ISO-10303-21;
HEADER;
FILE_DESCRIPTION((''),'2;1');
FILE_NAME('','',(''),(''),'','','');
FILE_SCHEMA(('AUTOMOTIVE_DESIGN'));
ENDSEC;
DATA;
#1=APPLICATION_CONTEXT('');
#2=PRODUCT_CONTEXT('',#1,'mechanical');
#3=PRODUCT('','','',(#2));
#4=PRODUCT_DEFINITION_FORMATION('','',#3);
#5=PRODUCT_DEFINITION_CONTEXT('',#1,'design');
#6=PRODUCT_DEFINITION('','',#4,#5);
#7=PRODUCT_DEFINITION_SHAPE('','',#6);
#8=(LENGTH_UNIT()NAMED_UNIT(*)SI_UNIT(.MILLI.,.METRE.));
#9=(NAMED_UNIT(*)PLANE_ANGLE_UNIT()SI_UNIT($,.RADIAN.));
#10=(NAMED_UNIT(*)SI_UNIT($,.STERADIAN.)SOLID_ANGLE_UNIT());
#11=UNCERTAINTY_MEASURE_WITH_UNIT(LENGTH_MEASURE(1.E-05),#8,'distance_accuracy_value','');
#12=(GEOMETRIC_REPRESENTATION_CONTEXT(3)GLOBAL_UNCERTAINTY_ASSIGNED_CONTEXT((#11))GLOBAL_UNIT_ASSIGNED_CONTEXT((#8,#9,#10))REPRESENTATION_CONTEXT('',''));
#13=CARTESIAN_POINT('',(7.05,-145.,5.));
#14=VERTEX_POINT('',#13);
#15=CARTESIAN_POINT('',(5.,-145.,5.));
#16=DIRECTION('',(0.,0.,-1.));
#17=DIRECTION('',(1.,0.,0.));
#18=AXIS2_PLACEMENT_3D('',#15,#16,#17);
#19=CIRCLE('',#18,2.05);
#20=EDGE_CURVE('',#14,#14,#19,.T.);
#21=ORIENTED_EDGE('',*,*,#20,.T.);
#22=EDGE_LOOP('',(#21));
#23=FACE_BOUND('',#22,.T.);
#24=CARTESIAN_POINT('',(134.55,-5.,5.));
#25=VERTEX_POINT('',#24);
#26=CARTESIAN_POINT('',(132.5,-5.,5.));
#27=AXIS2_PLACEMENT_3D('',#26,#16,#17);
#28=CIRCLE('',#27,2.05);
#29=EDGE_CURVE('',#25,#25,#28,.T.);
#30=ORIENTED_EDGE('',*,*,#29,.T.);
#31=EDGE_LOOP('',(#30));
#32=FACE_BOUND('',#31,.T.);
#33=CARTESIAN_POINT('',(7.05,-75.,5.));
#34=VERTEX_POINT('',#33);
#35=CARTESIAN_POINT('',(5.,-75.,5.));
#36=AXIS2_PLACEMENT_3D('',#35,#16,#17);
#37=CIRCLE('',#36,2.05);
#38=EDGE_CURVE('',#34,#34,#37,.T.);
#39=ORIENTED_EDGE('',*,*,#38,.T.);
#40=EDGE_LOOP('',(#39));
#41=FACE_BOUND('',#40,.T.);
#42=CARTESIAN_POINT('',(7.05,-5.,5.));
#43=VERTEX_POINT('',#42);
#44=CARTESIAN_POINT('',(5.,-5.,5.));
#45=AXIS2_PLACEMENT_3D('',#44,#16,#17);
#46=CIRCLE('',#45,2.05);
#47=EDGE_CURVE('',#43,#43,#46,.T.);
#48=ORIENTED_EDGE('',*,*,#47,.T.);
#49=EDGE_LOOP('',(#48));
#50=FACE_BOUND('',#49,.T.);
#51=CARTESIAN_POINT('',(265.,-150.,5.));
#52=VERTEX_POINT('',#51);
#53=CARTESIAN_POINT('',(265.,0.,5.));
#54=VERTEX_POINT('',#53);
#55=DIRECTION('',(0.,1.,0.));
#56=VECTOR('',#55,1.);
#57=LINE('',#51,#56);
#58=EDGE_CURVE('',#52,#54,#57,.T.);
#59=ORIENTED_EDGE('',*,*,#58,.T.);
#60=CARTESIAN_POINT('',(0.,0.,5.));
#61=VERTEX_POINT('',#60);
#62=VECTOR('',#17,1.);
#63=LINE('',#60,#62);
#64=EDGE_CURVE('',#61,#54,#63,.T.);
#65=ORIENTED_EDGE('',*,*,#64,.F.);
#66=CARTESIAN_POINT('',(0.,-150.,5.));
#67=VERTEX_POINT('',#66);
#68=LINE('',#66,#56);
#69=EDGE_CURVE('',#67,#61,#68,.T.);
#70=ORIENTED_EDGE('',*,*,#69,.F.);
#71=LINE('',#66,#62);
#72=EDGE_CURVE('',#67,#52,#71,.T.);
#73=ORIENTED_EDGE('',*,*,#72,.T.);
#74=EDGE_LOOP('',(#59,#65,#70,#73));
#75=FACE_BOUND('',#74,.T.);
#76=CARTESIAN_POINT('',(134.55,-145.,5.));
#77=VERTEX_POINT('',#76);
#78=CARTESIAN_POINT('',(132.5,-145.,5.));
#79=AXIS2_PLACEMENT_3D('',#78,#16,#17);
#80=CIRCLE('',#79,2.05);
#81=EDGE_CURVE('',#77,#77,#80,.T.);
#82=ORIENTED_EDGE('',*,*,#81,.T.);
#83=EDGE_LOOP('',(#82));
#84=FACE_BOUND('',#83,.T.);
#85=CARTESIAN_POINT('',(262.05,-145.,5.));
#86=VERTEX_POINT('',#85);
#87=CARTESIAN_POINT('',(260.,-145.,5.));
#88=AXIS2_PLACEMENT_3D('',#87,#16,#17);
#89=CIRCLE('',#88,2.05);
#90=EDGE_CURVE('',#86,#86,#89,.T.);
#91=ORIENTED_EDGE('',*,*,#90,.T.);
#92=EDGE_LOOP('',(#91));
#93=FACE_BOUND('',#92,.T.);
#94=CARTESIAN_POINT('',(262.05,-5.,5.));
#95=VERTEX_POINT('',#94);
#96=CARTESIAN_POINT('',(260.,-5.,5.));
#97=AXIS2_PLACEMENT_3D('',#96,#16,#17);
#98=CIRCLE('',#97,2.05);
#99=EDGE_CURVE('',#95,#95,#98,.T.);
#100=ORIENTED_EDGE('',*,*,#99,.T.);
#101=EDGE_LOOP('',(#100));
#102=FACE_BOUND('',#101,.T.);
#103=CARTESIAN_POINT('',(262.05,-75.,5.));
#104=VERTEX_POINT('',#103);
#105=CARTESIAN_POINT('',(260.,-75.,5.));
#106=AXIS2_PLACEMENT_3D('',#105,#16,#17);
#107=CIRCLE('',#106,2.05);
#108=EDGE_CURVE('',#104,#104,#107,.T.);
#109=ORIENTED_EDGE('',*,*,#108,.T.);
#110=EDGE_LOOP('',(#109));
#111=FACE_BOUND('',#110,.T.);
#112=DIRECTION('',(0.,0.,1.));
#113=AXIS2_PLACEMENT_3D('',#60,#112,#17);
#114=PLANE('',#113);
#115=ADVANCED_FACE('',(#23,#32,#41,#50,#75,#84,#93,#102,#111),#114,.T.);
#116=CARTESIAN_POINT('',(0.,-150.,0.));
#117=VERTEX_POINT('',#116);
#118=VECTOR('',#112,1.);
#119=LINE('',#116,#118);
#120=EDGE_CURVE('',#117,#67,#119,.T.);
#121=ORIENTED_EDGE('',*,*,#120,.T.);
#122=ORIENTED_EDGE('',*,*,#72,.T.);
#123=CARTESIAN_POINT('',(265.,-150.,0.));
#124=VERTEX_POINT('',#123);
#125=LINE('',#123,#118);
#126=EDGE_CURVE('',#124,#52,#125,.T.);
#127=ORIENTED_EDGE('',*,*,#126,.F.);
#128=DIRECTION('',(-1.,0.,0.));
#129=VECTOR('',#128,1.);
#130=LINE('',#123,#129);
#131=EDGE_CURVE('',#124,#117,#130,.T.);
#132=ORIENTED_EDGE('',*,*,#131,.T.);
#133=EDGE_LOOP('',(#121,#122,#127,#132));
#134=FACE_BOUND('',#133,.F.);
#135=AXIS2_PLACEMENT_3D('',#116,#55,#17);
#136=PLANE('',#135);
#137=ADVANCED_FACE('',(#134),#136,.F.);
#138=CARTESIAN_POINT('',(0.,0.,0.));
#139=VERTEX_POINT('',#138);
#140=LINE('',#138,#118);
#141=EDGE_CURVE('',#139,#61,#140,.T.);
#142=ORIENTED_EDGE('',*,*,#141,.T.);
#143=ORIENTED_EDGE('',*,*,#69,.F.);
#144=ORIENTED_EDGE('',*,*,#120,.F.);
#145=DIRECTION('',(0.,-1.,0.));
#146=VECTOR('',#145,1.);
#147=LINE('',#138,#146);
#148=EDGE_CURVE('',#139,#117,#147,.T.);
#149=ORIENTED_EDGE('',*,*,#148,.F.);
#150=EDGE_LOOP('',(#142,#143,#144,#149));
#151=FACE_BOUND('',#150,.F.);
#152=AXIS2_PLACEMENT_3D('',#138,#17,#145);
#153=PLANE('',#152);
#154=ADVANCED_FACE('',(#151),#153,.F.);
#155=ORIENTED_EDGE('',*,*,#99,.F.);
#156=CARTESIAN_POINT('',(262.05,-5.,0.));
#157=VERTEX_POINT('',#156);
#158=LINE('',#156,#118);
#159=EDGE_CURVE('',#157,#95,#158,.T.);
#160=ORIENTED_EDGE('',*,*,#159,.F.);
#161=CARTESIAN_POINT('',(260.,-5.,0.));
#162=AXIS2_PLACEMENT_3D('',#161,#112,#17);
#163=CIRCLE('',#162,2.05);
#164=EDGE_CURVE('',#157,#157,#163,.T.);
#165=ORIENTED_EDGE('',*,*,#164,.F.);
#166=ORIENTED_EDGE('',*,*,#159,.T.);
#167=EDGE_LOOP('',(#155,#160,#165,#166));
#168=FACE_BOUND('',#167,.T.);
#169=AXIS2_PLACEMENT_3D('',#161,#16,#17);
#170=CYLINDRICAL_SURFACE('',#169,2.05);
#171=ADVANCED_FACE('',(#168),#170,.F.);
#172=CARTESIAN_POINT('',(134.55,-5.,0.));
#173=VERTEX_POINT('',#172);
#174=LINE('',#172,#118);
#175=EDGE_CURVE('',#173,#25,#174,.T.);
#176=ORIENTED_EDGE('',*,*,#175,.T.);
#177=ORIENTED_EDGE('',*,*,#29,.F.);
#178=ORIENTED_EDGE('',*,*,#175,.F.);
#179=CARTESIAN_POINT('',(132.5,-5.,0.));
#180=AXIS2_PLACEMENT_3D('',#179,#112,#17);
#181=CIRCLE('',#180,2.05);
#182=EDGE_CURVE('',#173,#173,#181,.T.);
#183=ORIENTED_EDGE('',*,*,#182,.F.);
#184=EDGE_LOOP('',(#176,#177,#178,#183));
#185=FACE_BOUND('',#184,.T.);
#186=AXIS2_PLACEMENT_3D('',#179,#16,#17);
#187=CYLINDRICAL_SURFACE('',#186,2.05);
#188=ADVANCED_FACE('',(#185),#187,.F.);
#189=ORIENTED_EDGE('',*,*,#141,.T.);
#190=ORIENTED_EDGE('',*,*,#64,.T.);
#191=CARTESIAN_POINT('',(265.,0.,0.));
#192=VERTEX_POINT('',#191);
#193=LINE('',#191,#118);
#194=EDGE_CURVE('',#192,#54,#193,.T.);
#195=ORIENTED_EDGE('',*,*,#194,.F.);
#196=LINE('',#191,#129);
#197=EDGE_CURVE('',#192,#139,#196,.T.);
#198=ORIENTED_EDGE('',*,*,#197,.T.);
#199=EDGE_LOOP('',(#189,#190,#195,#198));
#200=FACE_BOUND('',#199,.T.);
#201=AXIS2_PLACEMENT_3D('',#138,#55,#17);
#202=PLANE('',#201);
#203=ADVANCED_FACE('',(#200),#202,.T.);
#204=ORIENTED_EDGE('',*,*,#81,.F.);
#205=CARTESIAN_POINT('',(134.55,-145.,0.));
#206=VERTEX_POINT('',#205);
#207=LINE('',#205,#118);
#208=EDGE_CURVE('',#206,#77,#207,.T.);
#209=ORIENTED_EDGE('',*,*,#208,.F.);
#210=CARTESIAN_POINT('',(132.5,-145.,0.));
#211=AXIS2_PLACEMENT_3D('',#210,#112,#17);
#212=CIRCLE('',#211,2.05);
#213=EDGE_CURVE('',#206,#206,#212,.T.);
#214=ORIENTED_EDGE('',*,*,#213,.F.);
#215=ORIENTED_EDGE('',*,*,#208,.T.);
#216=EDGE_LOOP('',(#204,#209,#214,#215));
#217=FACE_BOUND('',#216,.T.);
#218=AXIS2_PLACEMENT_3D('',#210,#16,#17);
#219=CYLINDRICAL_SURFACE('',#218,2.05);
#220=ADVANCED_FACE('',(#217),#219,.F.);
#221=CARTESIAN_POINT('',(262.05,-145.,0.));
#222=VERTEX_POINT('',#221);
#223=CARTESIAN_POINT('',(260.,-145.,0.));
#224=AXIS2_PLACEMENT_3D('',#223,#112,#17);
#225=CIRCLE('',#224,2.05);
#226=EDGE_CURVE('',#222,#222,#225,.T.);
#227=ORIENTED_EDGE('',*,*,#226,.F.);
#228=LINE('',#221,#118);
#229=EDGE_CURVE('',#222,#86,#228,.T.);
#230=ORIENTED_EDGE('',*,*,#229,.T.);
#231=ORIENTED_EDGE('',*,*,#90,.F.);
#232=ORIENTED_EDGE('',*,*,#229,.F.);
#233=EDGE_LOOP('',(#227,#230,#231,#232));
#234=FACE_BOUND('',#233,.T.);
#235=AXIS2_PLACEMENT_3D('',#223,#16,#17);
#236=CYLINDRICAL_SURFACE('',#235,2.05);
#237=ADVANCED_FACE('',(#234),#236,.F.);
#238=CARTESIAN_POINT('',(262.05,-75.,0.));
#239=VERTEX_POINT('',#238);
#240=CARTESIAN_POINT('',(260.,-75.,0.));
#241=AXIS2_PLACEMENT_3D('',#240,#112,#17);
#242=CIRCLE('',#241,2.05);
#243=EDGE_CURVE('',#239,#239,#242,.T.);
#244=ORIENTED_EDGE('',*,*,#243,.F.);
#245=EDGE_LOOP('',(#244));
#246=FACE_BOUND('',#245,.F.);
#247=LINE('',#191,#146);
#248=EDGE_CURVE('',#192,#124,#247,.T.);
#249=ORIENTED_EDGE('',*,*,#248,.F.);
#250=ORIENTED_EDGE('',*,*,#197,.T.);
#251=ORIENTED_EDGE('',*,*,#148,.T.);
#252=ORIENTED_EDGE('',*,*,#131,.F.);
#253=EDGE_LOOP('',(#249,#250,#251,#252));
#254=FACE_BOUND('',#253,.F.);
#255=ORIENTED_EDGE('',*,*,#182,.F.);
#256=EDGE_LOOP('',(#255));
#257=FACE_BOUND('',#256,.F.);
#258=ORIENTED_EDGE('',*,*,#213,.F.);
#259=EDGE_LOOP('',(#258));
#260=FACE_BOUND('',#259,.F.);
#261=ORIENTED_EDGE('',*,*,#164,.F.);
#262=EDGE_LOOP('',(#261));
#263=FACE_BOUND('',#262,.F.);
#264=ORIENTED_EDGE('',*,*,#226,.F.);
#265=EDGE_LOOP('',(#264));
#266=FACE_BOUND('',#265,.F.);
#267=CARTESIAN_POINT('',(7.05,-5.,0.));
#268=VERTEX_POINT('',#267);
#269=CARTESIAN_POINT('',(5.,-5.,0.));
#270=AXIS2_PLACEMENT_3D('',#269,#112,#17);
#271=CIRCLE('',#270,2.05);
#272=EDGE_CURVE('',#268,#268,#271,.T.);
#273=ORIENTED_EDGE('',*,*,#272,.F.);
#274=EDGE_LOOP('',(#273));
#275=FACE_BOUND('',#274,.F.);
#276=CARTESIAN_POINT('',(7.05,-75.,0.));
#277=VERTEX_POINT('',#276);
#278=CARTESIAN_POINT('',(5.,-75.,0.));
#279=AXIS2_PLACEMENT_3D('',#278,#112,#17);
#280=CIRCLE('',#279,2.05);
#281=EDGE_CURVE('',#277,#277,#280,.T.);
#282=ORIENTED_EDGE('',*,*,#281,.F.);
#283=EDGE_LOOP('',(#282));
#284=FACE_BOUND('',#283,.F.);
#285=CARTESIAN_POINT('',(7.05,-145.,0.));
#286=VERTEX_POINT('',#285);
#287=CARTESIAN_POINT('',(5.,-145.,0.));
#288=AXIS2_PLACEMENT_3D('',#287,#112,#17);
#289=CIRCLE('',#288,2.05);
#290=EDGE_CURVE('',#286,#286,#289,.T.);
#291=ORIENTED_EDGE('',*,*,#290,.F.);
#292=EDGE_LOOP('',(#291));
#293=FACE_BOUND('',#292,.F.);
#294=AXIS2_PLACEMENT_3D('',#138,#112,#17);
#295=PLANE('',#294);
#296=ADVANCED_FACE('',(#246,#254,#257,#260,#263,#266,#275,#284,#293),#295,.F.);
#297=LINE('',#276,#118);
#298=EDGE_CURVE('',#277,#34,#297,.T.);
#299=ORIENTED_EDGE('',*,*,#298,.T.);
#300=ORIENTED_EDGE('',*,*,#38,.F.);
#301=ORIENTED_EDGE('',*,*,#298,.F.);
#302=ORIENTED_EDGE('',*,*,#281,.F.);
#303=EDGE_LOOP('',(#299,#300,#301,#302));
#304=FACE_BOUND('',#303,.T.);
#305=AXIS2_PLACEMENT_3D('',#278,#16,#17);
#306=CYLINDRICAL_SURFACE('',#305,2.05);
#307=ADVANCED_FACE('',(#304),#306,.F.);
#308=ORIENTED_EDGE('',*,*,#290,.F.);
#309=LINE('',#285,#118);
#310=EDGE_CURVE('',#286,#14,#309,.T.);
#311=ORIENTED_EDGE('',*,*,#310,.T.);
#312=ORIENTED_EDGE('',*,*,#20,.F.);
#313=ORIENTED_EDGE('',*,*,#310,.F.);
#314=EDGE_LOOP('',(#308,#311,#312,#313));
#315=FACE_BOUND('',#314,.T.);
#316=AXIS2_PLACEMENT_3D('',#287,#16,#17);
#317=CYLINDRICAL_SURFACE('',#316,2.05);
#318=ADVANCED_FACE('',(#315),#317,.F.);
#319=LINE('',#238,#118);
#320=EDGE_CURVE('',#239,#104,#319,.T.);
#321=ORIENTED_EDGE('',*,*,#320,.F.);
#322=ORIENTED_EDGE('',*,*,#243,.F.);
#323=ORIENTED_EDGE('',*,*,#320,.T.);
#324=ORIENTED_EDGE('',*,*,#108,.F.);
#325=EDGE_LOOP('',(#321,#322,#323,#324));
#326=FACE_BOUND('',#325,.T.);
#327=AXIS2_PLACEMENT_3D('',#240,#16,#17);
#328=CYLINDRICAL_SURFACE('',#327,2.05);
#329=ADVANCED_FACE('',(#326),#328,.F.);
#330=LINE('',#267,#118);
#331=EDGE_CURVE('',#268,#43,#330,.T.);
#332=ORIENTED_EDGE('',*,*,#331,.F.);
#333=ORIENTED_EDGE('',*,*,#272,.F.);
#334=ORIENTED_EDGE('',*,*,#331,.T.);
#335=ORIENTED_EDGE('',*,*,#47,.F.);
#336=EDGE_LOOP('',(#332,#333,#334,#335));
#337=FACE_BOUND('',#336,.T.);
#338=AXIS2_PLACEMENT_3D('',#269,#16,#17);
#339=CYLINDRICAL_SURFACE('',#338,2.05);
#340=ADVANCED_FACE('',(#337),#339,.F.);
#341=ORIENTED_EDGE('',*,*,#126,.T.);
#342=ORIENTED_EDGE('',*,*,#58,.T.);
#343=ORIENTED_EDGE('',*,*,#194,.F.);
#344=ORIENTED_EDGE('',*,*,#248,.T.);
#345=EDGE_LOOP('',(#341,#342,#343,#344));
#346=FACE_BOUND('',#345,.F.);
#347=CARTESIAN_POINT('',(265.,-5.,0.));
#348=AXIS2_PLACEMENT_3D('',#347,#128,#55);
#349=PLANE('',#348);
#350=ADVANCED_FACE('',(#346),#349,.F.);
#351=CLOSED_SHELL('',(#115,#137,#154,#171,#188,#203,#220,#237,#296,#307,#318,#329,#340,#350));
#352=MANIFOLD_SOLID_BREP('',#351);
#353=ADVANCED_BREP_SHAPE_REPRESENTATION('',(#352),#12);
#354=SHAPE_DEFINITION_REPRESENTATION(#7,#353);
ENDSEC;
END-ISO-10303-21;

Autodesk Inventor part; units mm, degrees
ref_plane "YZ Plane" through (0, 0, 0) normal (1, 0, 0) x (0, 1, 0)
ref_plane "XZ Plane" through (0, 0, 0) normal (0, 1, 0) x (-1, 0, 0)
ref_plane "XY Plane" through (0, 0, 0) normal (0, 0, 1) x (1, 0, 0)
sketch "Sketch1" plane through (0, 0, 0) normal (0, 0, 1) x (1, 0, 0)
  line L0 (0, 0) -> (265, 0)
  line L1 (0, 0) -> (0, -150)
  line L2 (0, -150) -> (265, -150)
  line L3 (265, -150) -> (265, 0)
  line L4 (260, -5) -> (5, -5)
  line L5 (5, -5) -> (5, -145)
  line L6 (5, -145) -> (260, -145)
  line L7 (260, -145) -> (260, -5)
  circle A0 centre (5, -5) radius 5
  circle A1 centre (5, -5) radius 2.05
  circle A2 centre (260, -5) radius 5
  circle A3 centre (260, -5) radius 2.05
  circle A4 centre (5, -145) radius 5
  circle A5 centre (5, -145) radius 2.05
  circle A6 centre (260, -145) radius 5
  circle A7 centre (260, -145) radius 2.05
  line L8 (5, -5) -> (5, -75)
  circle A8 centre (5, -75) radius 5
  circle A9 centre (5, -75) radius 2.05
  line L9 (260, -5) -> (260, -75)
  circle A10 centre (260, -75) radius 5
  circle A11 centre (260, -75) radius 2.05
  line L10 (5, -5) -> (132.5, -5)
  circle A12 centre (132.5, -5) radius 5
  circle A13 centre (132.5, -5) radius 2.05
  line L11 (5, -145) -> (132.5, -145)
  circle A14 centre (132.5, -145) radius 5
  circle A15 centre (132.5, -145) radius 2.05
  dimension "d0" = 265
  dimension "d1" = 150
  dimension "d2" = 265
  dimension "d3" = 5
  dimension "d4" = 10
  dimension "d5" = 4.1
  dimension "d6" = 10
  dimension "d7" = 4.1
  dimension "d8" = 10
  dimension "d9" = 4.1
  dimension "d10" = 10
  dimension "d11" = 4.1
  dimension "d12" = 70
  dimension "d13" = 10
  dimension "d14" = 4.1
  dimension "d15" = 70
  dimension "d16" = 10
  dimension "d17" = 4.1
  dimension "d18" = 127.5
  dimension "d19" = 10
  dimension "d20" = 4.1
  dimension "d21" = 127.5
  dimension "d22" = 10
  dimension "d23" = 4.1
extrude "Extrusion1" add sketch "Sketch1" along normal blind 5 contours L0 A0 L1 | L0 A12 L4 A0 | A0 L4 A1 L5 | A0 L5 A8 L1 | L0 A2 L4 A12 | A12 L4 A13 | A0 L5 A1 L4 | L4 A12 A2 L7 A10 A6 L6 A14 A4 L5 A8 A0 | A8 L5 A4 L1 | A8 L5 A9 | L0 L3 A2 | A2 L7 A3 L4 | A12 L4 A13 | A4 L2 L1 | A4 L5 A5 L6 | A8 L5 A9 | L3 A10 L7 A2 | L4 A3 L7 A2 | A4 L6 A5 L5 | A4 L6 A14 L2 | A10 L7 A11 | L3 A6 L7 A10 | A14 L6 A6 L2 | A14 L6 A15 | A6 L6 A7 L7 | L3 L2 A6 | L7 A11 A10 | A14 L6 A15 | L7 A7 L6 A6
properties part number "Tapa"
